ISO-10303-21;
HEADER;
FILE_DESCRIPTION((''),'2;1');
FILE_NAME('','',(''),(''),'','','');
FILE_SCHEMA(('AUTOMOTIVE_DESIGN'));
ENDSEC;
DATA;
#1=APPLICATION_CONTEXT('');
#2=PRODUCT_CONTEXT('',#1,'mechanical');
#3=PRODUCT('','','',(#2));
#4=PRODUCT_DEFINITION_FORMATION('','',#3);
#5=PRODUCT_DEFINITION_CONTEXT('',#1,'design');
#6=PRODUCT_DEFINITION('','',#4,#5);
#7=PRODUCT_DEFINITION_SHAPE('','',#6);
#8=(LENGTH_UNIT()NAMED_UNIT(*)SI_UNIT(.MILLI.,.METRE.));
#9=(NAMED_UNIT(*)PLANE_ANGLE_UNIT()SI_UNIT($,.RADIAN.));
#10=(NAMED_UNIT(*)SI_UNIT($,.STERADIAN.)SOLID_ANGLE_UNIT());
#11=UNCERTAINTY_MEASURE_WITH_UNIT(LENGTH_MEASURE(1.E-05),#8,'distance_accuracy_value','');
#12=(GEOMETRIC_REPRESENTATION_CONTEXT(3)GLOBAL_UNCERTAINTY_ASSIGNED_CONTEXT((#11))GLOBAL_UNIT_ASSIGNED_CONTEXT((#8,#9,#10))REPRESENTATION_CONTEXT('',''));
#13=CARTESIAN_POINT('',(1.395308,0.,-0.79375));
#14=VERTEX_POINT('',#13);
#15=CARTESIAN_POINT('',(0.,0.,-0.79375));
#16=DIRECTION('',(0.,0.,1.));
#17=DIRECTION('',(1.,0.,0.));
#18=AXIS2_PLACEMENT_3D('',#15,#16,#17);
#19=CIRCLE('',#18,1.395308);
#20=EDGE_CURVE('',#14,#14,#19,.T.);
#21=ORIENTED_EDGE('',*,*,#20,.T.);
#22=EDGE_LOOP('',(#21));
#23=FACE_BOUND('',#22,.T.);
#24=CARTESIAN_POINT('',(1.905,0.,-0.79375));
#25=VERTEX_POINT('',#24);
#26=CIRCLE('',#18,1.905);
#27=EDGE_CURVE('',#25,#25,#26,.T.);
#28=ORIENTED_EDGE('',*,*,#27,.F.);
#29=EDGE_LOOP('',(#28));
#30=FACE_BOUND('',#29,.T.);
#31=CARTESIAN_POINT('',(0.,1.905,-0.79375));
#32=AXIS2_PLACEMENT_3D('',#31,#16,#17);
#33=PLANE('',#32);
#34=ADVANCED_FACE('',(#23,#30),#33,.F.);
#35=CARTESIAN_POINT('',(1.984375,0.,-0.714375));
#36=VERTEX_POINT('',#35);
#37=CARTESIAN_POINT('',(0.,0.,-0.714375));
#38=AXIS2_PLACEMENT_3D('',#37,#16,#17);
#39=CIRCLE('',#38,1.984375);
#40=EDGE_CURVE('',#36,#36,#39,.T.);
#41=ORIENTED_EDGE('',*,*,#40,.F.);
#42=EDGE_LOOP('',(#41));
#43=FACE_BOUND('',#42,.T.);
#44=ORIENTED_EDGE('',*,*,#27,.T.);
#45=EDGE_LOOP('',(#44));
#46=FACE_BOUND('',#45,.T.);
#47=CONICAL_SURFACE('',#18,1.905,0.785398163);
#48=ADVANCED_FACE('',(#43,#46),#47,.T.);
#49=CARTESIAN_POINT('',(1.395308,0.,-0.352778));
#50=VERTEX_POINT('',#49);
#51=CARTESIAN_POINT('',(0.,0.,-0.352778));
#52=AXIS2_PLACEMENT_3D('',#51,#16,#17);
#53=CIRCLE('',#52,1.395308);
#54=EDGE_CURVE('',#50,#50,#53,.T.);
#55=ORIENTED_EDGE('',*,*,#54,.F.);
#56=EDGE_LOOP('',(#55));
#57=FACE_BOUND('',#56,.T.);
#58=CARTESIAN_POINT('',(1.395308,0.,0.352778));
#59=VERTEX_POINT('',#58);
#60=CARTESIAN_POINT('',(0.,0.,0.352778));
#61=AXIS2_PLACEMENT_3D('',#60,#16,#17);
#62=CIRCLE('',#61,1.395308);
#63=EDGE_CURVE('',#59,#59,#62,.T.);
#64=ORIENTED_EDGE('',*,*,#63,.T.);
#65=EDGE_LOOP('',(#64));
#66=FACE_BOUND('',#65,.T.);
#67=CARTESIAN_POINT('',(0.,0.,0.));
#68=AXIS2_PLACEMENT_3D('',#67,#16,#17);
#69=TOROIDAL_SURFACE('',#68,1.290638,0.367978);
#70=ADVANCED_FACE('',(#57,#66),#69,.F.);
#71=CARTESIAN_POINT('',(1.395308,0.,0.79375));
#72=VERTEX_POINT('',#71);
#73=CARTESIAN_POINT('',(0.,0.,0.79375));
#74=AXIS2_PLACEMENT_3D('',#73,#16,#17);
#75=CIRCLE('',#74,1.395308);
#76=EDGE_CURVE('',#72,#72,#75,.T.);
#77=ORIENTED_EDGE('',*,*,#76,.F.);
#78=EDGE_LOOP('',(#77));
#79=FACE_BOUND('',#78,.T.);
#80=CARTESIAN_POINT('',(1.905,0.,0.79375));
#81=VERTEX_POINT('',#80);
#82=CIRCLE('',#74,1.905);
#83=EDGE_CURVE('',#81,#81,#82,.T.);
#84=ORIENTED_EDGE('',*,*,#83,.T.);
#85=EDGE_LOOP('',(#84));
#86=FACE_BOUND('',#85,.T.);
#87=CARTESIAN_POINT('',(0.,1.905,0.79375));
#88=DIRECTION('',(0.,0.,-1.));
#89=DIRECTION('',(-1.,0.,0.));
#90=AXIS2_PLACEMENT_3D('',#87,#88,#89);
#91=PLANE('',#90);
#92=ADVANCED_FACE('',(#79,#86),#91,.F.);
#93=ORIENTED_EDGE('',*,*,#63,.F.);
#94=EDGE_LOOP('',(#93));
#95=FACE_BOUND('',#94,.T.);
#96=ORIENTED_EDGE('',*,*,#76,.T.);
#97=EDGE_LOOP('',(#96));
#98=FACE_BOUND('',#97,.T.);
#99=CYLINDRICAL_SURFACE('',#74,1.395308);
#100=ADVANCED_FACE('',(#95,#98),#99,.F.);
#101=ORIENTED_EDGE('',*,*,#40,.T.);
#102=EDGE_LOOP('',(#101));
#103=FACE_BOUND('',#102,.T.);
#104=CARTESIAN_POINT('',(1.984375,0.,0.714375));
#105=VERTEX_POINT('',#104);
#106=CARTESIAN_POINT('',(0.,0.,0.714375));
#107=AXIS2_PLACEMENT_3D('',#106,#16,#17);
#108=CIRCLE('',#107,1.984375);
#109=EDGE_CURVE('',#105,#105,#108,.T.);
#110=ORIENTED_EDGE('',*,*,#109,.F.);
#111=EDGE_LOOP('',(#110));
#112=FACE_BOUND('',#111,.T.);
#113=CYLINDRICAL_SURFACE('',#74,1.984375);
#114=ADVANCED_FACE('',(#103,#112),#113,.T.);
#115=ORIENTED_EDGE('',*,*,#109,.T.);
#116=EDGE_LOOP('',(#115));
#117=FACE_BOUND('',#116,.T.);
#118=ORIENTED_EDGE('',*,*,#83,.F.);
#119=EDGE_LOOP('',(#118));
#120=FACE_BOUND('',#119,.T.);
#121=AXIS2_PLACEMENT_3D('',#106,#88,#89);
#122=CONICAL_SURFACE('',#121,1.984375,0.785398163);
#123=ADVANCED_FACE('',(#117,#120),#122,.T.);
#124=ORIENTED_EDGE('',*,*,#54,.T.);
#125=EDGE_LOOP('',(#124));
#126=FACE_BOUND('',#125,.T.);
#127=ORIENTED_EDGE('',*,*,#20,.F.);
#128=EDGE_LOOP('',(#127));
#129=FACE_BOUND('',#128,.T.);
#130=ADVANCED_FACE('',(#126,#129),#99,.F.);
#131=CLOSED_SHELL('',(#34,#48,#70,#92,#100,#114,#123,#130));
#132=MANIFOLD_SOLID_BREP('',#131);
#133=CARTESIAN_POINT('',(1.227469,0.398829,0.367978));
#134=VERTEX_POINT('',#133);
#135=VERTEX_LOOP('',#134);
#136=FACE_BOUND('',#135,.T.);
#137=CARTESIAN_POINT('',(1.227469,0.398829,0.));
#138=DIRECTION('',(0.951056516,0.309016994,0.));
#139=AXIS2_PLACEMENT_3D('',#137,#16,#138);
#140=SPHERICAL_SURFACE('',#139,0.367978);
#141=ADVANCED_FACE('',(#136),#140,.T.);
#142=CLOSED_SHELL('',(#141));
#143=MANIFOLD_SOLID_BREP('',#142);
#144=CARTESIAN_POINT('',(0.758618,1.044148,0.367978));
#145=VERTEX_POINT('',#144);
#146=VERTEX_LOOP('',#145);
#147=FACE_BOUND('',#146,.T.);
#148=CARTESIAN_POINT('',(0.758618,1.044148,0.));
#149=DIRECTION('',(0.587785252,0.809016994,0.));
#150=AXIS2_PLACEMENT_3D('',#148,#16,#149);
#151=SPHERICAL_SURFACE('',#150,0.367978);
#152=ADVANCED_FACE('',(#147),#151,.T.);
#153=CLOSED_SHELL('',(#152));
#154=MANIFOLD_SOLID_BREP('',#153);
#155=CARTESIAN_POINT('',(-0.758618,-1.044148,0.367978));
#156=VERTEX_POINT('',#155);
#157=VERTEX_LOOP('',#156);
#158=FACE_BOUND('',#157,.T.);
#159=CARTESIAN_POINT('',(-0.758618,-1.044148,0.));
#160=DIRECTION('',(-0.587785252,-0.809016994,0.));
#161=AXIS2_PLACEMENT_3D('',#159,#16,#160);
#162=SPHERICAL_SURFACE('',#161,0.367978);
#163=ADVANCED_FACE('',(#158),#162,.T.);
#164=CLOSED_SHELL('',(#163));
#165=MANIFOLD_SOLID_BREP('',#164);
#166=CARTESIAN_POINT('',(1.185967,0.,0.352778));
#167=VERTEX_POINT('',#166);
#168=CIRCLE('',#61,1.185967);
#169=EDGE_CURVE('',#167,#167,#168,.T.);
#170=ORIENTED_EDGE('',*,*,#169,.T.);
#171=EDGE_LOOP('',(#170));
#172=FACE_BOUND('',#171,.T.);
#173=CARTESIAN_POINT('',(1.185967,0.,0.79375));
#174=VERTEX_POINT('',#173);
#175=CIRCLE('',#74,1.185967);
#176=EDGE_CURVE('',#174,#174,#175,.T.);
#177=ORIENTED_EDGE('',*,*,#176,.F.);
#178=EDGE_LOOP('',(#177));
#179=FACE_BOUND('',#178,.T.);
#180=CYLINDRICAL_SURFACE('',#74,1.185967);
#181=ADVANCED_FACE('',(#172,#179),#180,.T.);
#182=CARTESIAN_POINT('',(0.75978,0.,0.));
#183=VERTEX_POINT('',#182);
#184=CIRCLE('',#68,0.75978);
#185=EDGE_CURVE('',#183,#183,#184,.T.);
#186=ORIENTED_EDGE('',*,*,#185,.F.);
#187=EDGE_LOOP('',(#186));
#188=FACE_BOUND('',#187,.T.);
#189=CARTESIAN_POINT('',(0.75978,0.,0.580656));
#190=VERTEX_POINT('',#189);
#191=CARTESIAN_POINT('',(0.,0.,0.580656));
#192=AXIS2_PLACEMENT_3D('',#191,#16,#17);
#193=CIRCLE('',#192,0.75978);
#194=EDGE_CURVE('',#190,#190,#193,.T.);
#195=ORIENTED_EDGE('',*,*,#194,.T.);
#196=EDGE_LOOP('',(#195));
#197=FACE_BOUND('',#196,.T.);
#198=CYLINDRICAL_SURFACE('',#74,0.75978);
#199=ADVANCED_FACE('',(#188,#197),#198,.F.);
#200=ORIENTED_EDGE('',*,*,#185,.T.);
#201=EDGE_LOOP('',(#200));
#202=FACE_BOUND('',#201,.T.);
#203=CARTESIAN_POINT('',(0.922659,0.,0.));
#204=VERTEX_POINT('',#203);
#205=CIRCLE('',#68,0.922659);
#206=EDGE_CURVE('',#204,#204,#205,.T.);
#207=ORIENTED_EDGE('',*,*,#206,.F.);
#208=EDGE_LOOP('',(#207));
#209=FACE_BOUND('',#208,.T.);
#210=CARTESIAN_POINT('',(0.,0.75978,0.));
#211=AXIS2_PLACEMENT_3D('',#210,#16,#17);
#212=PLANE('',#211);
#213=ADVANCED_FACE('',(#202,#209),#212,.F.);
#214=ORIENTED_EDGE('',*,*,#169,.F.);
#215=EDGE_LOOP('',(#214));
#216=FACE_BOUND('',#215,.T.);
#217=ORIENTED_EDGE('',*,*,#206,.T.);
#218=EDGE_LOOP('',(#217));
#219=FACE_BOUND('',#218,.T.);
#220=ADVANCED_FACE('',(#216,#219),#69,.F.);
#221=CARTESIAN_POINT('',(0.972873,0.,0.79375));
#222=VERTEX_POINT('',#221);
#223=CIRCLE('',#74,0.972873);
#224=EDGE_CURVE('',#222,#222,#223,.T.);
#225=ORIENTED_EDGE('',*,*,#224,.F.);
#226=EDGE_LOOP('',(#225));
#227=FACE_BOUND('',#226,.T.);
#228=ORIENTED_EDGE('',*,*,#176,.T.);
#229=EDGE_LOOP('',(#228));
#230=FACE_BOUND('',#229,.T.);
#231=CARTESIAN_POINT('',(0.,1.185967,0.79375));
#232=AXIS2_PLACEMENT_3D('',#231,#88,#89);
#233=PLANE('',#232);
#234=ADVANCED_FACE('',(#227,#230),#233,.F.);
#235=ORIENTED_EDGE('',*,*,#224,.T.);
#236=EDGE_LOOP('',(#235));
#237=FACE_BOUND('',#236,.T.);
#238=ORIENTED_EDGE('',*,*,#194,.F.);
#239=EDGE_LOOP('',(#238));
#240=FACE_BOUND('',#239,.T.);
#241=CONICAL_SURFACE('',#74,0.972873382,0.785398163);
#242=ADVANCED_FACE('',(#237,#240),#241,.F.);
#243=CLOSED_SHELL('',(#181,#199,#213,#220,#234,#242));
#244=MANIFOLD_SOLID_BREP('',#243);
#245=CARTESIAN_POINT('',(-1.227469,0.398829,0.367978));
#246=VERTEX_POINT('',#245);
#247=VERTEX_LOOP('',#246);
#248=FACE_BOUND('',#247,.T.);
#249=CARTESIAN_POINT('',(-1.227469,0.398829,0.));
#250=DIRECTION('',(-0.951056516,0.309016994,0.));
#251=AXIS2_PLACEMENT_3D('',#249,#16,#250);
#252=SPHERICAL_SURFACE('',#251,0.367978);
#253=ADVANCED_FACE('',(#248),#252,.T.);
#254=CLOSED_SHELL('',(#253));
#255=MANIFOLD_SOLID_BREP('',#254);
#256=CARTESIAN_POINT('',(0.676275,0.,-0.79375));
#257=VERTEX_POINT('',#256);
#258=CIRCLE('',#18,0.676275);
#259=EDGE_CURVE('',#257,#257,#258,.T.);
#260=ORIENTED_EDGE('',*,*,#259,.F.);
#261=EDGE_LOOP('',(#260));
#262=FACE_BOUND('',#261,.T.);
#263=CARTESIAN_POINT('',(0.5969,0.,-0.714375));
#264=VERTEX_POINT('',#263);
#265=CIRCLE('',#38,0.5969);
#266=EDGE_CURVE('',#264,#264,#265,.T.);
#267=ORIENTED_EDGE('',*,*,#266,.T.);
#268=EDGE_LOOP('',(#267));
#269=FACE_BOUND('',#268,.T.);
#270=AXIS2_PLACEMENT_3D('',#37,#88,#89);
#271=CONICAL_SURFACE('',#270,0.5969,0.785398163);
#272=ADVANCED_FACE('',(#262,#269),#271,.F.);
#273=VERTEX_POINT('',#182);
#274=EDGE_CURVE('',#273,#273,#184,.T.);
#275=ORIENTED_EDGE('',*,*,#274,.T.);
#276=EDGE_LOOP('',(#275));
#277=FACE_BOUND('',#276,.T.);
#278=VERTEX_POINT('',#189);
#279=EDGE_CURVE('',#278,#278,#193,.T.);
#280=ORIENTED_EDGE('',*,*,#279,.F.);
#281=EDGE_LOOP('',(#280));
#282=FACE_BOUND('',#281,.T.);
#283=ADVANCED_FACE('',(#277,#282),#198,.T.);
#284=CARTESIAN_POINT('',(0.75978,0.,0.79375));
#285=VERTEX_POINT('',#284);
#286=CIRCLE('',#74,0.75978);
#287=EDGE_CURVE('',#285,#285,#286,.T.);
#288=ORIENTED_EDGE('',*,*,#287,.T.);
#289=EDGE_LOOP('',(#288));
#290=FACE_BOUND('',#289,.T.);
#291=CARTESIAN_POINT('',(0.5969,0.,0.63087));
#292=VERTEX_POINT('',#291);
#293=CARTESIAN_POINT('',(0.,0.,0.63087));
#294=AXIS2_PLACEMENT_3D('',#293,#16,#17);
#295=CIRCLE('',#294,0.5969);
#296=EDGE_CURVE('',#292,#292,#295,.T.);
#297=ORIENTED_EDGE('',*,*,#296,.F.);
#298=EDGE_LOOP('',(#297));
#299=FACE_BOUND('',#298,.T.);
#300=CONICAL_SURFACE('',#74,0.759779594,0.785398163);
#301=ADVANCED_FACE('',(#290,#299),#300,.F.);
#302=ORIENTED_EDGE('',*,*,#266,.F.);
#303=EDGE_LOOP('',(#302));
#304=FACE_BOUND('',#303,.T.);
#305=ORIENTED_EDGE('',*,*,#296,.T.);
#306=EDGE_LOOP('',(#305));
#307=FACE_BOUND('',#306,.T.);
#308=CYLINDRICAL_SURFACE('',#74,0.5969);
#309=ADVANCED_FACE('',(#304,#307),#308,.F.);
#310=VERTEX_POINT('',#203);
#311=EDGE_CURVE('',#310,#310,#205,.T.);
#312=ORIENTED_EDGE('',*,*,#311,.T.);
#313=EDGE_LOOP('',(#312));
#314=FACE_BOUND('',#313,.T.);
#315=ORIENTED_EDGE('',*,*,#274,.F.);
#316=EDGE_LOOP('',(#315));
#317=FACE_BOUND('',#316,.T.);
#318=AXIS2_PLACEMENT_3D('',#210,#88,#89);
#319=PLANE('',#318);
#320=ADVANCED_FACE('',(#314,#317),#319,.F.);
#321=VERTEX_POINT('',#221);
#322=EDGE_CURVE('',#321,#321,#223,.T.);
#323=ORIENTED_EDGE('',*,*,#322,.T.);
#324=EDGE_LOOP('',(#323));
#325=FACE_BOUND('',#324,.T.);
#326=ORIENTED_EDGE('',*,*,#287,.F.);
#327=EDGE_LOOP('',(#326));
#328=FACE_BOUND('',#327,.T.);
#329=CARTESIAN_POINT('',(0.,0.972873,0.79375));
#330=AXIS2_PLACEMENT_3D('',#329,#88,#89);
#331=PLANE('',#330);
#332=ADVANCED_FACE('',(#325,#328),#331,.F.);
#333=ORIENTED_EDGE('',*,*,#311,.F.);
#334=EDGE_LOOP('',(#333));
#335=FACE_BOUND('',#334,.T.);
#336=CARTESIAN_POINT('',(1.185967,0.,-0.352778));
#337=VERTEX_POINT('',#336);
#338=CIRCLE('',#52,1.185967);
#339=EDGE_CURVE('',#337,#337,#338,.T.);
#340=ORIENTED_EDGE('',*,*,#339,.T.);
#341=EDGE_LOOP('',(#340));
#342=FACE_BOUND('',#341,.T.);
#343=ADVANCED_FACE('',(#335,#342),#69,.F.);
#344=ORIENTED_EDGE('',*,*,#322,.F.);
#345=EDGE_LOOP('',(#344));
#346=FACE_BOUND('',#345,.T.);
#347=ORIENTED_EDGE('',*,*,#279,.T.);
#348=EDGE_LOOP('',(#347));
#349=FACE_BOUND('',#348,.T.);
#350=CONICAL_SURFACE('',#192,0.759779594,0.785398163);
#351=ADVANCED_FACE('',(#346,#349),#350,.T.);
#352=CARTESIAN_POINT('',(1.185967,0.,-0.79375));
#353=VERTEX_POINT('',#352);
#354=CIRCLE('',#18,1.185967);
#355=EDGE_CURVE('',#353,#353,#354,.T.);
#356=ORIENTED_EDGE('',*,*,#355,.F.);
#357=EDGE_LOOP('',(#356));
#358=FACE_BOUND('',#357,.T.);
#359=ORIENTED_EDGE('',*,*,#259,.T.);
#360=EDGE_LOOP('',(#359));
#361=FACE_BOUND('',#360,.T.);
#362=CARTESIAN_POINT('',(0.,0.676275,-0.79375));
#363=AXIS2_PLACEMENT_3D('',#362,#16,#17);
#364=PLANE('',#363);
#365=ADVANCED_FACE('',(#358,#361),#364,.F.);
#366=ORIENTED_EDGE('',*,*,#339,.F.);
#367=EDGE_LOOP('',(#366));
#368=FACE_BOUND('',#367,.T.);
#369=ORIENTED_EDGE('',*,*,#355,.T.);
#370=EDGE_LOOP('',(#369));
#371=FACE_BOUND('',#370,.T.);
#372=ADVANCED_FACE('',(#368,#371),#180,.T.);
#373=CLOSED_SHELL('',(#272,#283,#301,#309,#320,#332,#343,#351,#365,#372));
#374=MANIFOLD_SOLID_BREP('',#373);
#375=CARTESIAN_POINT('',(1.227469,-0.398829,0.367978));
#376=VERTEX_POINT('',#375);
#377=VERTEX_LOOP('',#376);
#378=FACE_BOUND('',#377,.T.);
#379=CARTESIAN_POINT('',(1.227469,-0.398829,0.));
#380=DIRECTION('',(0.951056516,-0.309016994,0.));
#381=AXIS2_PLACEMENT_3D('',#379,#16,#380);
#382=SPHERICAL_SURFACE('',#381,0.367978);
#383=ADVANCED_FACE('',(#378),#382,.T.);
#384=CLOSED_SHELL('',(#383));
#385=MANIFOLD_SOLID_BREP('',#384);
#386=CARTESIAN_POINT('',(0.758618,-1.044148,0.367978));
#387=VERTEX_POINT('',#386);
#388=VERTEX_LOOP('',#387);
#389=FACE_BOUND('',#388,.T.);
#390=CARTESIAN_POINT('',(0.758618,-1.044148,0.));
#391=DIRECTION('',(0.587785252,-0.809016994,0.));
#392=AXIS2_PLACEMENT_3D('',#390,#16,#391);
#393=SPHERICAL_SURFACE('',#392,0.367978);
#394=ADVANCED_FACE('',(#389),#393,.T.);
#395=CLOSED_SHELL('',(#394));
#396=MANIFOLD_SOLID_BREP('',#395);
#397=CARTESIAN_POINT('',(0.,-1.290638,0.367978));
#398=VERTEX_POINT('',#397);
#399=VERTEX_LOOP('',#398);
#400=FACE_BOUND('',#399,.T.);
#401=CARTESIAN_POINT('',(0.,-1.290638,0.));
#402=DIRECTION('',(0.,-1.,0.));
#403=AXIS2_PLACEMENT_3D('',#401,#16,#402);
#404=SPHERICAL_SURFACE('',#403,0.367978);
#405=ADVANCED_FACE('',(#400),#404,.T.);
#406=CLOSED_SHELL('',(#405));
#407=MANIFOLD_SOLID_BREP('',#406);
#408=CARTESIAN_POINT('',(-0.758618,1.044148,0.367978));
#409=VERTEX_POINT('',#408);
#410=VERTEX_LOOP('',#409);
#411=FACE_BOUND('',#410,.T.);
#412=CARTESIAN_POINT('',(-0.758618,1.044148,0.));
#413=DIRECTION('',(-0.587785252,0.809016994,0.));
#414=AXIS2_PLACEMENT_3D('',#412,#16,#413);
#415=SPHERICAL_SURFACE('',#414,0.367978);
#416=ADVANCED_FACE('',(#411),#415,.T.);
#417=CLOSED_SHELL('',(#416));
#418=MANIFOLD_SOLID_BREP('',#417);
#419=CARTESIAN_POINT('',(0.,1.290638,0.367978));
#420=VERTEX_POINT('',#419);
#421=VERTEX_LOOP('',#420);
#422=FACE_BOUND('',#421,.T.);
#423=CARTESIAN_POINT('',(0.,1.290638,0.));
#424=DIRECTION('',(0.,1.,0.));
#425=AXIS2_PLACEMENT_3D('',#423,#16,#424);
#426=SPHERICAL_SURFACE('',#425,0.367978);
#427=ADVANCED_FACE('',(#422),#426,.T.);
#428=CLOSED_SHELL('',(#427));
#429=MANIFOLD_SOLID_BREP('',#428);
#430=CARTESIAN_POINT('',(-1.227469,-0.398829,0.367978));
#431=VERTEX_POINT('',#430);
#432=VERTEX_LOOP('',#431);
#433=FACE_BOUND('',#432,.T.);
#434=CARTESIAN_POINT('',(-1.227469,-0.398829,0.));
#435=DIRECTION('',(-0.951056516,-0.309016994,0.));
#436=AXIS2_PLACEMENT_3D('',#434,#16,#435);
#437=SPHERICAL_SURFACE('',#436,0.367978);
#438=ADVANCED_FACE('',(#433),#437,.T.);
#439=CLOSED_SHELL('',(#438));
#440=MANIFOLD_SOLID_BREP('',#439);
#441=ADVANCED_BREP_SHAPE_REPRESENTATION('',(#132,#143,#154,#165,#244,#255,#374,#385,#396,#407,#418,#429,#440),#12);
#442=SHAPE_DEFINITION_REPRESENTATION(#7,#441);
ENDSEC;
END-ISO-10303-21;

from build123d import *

# Parameters (mm, degrees)
CIRPATTERN1_COUNT = 10


with BuildPart() as part:
    # Sketch1 → Revolve1 (revolve)
    with BuildSketch(Plane(origin=(0, 0, 0), x_dir=(0, 0, -1), z_dir=(1, 0, 0)), mode=Mode.PRIVATE) as revolve1_sk:
        with BuildLine():
            Line((0.714375, 1.984375), (-0.714375, 1.984375))
            Line((-0.714375, 1.984375), (-0.79375, 1.905))
            Line((-0.79375, 1.905), (-0.79375, 1.39530783))
            Line((-0.79375, 1.39530783), (-0.352777778, 1.39530783))
            ThreePointArc((-0.352777778, 1.39530783), (0, 1.658615812), (0.352777778, 1.39530783))
            Line((0.352777778, 1.39530783), (0.79375, 1.39530783))
            Line((0.79375, 1.39530783), (0.79375, 1.905))
            Line((0.79375, 1.905), (0.714375, 1.984375))
        make_face()
    revolve(revolve1_sk.sketch.rotate(Axis((0, 0, 0.79375), (0, 0, -1)), 90), axis=Axis((0, 0, 0.79375), (0, 0, -1)))


with BuildPart() as body_2:
    # Sketch2 → Revolve2 (revolve)
    with BuildSketch(Plane(origin=(0, 0, 0), x_dir=(0, 0, -1), z_dir=(1, 0, 0)), mode=Mode.PRIVATE) as revolve2_sk:
        with BuildLine():
            Line((-0.79375, 1.18596717), (-0.352777778, 1.18596717))
            ThreePointArc((-0.352777778, 1.18596717), (-0.220104097, 0.995743918), (0, 0.922659188))
            Line((0, 0.922659188), (0, 0.759779594))
            Line((0, 0.759779594), (-0.580656212, 0.759779594))
            Line((-0.580656212, 0.759779594), (-0.79375, 0.972873382))
            Line((-0.79375, 0.972873382), (-0.79375, 1.18596717))
        make_face()
    revolve(revolve2_sk.sketch.rotate(Axis((0, 0, 0.79375), (0, 0, -1)), 90), axis=Axis((0, 0, 0.79375), (0, 0, -1)))


with BuildPart() as body_3:
    # Sketch3 → Revolve3 (revolve)
    with BuildSketch(Plane(origin=(0, 0, 0), x_dir=(0, 0, -1), z_dir=(1, 0, 0)), mode=Mode.PRIVATE) as revolve3_sk:
        with BuildLine():
            Line((-0.79375, 0.972873382), (-0.580656212, 0.759779594))
            Line((-0.580656212, 0.759779594), (0, 0.759779594))
            Line((0, 0.759779594), (0, 0.922659188))
            ThreePointArc((0, 0.922659188), (0.220104097, 0.995743918), (0.352777778, 1.18596717))
            Line((0.352777778, 1.18596717), (0.79375, 1.18596717))
            Line((0.79375, 1.18596717), (0.79375, 0.676275))
            Line((0.79375, 0.676275), (0.714375, 0.5969))
            Line((0.714375, 0.5969), (-0.630870406, 0.5969))
            Line((-0.630870406, 0.5969), (-0.79375, 0.759779594))
            Line((-0.79375, 0.759779594), (-0.79375, 0.972873382))
        make_face()
    revolve(revolve3_sk.sketch.rotate(Axis((0, 0, 0.79375), (0, 0, -1)), 90), axis=Axis((0, 0, 0.79375), (0, 0, -1)))


with BuildPart() as body_4:
    # Sketch4 → Revolve4 (revolve)
    with BuildSketch(Plane(origin=(0, 0, 0), x_dir=(0, 0, -1), z_dir=(1, 0, 0))):
        with BuildLine():
            Line((-0.367978312, 1.2906375), (0.367978312, 1.2906375))
            ThreePointArc((0.367978312, 1.2906375), (0, 1.658615812), (-0.367978312, 1.2906375))
        make_face()
    revolve(axis=Axis((0, 1.2906375, 0.367978312), (0, 0, -1)))


with BuildPart() as cirpattern1_1:
    # CirPattern1: pattern copy
    add(body_4.part.rotate(Axis((0, 0, 0), (0, 0, 1)), 1 * 360 / CIRPATTERN1_COUNT))


with BuildPart() as cirpattern1_2:
    # CirPattern1: pattern copy
    add(body_4.part.rotate(Axis((0, 0, 0), (0, 0, 1)), 2 * 360 / CIRPATTERN1_COUNT))


with BuildPart() as cirpattern1_3:
    # CirPattern1: pattern copy
    add(body_4.part.rotate(Axis((0, 0, 0), (0, 0, 1)), 3 * 360 / CIRPATTERN1_COUNT))


with BuildPart() as cirpattern1_4:
    # CirPattern1: pattern copy
    add(body_4.part.rotate(Axis((0, 0, 0), (0, 0, 1)), 4 * 360 / CIRPATTERN1_COUNT))


with BuildPart() as cirpattern1_5:
    # CirPattern1: pattern copy
    add(body_4.part.rotate(Axis((0, 0, 0), (0, 0, 1)), 5 * 360 / CIRPATTERN1_COUNT))


with BuildPart() as cirpattern1_6:
    # CirPattern1: pattern copy
    add(body_4.part.rotate(Axis((0, 0, 0), (0, 0, 1)), 6 * 360 / CIRPATTERN1_COUNT))


with BuildPart() as cirpattern1_7:
    # CirPattern1: pattern copy
    add(body_4.part.rotate(Axis((0, 0, 0), (0, 0, 1)), 7 * 360 / CIRPATTERN1_COUNT))


with BuildPart() as cirpattern1_8:
    # CirPattern1: pattern copy
    add(body_4.part.rotate(Axis((0, 0, 0), (0, 0, 1)), 8 * 360 / CIRPATTERN1_COUNT))


with BuildPart() as cirpattern1_9:
    # CirPattern1: pattern copy
    add(body_4.part.rotate(Axis((0, 0, 0), (0, 0, 1)), 9 * 360 / CIRPATTERN1_COUNT))


solid = Compound([part.part, body_2.part, body_3.part, body_4.part, cirpattern1_1.part, cirpattern1_2.part, cirpattern1_3.part, cirpattern1_4.part, cirpattern1_5.part, cirpattern1_6.part, cirpattern1_7.part, cirpattern1_8.part, cirpattern1_9.part])
